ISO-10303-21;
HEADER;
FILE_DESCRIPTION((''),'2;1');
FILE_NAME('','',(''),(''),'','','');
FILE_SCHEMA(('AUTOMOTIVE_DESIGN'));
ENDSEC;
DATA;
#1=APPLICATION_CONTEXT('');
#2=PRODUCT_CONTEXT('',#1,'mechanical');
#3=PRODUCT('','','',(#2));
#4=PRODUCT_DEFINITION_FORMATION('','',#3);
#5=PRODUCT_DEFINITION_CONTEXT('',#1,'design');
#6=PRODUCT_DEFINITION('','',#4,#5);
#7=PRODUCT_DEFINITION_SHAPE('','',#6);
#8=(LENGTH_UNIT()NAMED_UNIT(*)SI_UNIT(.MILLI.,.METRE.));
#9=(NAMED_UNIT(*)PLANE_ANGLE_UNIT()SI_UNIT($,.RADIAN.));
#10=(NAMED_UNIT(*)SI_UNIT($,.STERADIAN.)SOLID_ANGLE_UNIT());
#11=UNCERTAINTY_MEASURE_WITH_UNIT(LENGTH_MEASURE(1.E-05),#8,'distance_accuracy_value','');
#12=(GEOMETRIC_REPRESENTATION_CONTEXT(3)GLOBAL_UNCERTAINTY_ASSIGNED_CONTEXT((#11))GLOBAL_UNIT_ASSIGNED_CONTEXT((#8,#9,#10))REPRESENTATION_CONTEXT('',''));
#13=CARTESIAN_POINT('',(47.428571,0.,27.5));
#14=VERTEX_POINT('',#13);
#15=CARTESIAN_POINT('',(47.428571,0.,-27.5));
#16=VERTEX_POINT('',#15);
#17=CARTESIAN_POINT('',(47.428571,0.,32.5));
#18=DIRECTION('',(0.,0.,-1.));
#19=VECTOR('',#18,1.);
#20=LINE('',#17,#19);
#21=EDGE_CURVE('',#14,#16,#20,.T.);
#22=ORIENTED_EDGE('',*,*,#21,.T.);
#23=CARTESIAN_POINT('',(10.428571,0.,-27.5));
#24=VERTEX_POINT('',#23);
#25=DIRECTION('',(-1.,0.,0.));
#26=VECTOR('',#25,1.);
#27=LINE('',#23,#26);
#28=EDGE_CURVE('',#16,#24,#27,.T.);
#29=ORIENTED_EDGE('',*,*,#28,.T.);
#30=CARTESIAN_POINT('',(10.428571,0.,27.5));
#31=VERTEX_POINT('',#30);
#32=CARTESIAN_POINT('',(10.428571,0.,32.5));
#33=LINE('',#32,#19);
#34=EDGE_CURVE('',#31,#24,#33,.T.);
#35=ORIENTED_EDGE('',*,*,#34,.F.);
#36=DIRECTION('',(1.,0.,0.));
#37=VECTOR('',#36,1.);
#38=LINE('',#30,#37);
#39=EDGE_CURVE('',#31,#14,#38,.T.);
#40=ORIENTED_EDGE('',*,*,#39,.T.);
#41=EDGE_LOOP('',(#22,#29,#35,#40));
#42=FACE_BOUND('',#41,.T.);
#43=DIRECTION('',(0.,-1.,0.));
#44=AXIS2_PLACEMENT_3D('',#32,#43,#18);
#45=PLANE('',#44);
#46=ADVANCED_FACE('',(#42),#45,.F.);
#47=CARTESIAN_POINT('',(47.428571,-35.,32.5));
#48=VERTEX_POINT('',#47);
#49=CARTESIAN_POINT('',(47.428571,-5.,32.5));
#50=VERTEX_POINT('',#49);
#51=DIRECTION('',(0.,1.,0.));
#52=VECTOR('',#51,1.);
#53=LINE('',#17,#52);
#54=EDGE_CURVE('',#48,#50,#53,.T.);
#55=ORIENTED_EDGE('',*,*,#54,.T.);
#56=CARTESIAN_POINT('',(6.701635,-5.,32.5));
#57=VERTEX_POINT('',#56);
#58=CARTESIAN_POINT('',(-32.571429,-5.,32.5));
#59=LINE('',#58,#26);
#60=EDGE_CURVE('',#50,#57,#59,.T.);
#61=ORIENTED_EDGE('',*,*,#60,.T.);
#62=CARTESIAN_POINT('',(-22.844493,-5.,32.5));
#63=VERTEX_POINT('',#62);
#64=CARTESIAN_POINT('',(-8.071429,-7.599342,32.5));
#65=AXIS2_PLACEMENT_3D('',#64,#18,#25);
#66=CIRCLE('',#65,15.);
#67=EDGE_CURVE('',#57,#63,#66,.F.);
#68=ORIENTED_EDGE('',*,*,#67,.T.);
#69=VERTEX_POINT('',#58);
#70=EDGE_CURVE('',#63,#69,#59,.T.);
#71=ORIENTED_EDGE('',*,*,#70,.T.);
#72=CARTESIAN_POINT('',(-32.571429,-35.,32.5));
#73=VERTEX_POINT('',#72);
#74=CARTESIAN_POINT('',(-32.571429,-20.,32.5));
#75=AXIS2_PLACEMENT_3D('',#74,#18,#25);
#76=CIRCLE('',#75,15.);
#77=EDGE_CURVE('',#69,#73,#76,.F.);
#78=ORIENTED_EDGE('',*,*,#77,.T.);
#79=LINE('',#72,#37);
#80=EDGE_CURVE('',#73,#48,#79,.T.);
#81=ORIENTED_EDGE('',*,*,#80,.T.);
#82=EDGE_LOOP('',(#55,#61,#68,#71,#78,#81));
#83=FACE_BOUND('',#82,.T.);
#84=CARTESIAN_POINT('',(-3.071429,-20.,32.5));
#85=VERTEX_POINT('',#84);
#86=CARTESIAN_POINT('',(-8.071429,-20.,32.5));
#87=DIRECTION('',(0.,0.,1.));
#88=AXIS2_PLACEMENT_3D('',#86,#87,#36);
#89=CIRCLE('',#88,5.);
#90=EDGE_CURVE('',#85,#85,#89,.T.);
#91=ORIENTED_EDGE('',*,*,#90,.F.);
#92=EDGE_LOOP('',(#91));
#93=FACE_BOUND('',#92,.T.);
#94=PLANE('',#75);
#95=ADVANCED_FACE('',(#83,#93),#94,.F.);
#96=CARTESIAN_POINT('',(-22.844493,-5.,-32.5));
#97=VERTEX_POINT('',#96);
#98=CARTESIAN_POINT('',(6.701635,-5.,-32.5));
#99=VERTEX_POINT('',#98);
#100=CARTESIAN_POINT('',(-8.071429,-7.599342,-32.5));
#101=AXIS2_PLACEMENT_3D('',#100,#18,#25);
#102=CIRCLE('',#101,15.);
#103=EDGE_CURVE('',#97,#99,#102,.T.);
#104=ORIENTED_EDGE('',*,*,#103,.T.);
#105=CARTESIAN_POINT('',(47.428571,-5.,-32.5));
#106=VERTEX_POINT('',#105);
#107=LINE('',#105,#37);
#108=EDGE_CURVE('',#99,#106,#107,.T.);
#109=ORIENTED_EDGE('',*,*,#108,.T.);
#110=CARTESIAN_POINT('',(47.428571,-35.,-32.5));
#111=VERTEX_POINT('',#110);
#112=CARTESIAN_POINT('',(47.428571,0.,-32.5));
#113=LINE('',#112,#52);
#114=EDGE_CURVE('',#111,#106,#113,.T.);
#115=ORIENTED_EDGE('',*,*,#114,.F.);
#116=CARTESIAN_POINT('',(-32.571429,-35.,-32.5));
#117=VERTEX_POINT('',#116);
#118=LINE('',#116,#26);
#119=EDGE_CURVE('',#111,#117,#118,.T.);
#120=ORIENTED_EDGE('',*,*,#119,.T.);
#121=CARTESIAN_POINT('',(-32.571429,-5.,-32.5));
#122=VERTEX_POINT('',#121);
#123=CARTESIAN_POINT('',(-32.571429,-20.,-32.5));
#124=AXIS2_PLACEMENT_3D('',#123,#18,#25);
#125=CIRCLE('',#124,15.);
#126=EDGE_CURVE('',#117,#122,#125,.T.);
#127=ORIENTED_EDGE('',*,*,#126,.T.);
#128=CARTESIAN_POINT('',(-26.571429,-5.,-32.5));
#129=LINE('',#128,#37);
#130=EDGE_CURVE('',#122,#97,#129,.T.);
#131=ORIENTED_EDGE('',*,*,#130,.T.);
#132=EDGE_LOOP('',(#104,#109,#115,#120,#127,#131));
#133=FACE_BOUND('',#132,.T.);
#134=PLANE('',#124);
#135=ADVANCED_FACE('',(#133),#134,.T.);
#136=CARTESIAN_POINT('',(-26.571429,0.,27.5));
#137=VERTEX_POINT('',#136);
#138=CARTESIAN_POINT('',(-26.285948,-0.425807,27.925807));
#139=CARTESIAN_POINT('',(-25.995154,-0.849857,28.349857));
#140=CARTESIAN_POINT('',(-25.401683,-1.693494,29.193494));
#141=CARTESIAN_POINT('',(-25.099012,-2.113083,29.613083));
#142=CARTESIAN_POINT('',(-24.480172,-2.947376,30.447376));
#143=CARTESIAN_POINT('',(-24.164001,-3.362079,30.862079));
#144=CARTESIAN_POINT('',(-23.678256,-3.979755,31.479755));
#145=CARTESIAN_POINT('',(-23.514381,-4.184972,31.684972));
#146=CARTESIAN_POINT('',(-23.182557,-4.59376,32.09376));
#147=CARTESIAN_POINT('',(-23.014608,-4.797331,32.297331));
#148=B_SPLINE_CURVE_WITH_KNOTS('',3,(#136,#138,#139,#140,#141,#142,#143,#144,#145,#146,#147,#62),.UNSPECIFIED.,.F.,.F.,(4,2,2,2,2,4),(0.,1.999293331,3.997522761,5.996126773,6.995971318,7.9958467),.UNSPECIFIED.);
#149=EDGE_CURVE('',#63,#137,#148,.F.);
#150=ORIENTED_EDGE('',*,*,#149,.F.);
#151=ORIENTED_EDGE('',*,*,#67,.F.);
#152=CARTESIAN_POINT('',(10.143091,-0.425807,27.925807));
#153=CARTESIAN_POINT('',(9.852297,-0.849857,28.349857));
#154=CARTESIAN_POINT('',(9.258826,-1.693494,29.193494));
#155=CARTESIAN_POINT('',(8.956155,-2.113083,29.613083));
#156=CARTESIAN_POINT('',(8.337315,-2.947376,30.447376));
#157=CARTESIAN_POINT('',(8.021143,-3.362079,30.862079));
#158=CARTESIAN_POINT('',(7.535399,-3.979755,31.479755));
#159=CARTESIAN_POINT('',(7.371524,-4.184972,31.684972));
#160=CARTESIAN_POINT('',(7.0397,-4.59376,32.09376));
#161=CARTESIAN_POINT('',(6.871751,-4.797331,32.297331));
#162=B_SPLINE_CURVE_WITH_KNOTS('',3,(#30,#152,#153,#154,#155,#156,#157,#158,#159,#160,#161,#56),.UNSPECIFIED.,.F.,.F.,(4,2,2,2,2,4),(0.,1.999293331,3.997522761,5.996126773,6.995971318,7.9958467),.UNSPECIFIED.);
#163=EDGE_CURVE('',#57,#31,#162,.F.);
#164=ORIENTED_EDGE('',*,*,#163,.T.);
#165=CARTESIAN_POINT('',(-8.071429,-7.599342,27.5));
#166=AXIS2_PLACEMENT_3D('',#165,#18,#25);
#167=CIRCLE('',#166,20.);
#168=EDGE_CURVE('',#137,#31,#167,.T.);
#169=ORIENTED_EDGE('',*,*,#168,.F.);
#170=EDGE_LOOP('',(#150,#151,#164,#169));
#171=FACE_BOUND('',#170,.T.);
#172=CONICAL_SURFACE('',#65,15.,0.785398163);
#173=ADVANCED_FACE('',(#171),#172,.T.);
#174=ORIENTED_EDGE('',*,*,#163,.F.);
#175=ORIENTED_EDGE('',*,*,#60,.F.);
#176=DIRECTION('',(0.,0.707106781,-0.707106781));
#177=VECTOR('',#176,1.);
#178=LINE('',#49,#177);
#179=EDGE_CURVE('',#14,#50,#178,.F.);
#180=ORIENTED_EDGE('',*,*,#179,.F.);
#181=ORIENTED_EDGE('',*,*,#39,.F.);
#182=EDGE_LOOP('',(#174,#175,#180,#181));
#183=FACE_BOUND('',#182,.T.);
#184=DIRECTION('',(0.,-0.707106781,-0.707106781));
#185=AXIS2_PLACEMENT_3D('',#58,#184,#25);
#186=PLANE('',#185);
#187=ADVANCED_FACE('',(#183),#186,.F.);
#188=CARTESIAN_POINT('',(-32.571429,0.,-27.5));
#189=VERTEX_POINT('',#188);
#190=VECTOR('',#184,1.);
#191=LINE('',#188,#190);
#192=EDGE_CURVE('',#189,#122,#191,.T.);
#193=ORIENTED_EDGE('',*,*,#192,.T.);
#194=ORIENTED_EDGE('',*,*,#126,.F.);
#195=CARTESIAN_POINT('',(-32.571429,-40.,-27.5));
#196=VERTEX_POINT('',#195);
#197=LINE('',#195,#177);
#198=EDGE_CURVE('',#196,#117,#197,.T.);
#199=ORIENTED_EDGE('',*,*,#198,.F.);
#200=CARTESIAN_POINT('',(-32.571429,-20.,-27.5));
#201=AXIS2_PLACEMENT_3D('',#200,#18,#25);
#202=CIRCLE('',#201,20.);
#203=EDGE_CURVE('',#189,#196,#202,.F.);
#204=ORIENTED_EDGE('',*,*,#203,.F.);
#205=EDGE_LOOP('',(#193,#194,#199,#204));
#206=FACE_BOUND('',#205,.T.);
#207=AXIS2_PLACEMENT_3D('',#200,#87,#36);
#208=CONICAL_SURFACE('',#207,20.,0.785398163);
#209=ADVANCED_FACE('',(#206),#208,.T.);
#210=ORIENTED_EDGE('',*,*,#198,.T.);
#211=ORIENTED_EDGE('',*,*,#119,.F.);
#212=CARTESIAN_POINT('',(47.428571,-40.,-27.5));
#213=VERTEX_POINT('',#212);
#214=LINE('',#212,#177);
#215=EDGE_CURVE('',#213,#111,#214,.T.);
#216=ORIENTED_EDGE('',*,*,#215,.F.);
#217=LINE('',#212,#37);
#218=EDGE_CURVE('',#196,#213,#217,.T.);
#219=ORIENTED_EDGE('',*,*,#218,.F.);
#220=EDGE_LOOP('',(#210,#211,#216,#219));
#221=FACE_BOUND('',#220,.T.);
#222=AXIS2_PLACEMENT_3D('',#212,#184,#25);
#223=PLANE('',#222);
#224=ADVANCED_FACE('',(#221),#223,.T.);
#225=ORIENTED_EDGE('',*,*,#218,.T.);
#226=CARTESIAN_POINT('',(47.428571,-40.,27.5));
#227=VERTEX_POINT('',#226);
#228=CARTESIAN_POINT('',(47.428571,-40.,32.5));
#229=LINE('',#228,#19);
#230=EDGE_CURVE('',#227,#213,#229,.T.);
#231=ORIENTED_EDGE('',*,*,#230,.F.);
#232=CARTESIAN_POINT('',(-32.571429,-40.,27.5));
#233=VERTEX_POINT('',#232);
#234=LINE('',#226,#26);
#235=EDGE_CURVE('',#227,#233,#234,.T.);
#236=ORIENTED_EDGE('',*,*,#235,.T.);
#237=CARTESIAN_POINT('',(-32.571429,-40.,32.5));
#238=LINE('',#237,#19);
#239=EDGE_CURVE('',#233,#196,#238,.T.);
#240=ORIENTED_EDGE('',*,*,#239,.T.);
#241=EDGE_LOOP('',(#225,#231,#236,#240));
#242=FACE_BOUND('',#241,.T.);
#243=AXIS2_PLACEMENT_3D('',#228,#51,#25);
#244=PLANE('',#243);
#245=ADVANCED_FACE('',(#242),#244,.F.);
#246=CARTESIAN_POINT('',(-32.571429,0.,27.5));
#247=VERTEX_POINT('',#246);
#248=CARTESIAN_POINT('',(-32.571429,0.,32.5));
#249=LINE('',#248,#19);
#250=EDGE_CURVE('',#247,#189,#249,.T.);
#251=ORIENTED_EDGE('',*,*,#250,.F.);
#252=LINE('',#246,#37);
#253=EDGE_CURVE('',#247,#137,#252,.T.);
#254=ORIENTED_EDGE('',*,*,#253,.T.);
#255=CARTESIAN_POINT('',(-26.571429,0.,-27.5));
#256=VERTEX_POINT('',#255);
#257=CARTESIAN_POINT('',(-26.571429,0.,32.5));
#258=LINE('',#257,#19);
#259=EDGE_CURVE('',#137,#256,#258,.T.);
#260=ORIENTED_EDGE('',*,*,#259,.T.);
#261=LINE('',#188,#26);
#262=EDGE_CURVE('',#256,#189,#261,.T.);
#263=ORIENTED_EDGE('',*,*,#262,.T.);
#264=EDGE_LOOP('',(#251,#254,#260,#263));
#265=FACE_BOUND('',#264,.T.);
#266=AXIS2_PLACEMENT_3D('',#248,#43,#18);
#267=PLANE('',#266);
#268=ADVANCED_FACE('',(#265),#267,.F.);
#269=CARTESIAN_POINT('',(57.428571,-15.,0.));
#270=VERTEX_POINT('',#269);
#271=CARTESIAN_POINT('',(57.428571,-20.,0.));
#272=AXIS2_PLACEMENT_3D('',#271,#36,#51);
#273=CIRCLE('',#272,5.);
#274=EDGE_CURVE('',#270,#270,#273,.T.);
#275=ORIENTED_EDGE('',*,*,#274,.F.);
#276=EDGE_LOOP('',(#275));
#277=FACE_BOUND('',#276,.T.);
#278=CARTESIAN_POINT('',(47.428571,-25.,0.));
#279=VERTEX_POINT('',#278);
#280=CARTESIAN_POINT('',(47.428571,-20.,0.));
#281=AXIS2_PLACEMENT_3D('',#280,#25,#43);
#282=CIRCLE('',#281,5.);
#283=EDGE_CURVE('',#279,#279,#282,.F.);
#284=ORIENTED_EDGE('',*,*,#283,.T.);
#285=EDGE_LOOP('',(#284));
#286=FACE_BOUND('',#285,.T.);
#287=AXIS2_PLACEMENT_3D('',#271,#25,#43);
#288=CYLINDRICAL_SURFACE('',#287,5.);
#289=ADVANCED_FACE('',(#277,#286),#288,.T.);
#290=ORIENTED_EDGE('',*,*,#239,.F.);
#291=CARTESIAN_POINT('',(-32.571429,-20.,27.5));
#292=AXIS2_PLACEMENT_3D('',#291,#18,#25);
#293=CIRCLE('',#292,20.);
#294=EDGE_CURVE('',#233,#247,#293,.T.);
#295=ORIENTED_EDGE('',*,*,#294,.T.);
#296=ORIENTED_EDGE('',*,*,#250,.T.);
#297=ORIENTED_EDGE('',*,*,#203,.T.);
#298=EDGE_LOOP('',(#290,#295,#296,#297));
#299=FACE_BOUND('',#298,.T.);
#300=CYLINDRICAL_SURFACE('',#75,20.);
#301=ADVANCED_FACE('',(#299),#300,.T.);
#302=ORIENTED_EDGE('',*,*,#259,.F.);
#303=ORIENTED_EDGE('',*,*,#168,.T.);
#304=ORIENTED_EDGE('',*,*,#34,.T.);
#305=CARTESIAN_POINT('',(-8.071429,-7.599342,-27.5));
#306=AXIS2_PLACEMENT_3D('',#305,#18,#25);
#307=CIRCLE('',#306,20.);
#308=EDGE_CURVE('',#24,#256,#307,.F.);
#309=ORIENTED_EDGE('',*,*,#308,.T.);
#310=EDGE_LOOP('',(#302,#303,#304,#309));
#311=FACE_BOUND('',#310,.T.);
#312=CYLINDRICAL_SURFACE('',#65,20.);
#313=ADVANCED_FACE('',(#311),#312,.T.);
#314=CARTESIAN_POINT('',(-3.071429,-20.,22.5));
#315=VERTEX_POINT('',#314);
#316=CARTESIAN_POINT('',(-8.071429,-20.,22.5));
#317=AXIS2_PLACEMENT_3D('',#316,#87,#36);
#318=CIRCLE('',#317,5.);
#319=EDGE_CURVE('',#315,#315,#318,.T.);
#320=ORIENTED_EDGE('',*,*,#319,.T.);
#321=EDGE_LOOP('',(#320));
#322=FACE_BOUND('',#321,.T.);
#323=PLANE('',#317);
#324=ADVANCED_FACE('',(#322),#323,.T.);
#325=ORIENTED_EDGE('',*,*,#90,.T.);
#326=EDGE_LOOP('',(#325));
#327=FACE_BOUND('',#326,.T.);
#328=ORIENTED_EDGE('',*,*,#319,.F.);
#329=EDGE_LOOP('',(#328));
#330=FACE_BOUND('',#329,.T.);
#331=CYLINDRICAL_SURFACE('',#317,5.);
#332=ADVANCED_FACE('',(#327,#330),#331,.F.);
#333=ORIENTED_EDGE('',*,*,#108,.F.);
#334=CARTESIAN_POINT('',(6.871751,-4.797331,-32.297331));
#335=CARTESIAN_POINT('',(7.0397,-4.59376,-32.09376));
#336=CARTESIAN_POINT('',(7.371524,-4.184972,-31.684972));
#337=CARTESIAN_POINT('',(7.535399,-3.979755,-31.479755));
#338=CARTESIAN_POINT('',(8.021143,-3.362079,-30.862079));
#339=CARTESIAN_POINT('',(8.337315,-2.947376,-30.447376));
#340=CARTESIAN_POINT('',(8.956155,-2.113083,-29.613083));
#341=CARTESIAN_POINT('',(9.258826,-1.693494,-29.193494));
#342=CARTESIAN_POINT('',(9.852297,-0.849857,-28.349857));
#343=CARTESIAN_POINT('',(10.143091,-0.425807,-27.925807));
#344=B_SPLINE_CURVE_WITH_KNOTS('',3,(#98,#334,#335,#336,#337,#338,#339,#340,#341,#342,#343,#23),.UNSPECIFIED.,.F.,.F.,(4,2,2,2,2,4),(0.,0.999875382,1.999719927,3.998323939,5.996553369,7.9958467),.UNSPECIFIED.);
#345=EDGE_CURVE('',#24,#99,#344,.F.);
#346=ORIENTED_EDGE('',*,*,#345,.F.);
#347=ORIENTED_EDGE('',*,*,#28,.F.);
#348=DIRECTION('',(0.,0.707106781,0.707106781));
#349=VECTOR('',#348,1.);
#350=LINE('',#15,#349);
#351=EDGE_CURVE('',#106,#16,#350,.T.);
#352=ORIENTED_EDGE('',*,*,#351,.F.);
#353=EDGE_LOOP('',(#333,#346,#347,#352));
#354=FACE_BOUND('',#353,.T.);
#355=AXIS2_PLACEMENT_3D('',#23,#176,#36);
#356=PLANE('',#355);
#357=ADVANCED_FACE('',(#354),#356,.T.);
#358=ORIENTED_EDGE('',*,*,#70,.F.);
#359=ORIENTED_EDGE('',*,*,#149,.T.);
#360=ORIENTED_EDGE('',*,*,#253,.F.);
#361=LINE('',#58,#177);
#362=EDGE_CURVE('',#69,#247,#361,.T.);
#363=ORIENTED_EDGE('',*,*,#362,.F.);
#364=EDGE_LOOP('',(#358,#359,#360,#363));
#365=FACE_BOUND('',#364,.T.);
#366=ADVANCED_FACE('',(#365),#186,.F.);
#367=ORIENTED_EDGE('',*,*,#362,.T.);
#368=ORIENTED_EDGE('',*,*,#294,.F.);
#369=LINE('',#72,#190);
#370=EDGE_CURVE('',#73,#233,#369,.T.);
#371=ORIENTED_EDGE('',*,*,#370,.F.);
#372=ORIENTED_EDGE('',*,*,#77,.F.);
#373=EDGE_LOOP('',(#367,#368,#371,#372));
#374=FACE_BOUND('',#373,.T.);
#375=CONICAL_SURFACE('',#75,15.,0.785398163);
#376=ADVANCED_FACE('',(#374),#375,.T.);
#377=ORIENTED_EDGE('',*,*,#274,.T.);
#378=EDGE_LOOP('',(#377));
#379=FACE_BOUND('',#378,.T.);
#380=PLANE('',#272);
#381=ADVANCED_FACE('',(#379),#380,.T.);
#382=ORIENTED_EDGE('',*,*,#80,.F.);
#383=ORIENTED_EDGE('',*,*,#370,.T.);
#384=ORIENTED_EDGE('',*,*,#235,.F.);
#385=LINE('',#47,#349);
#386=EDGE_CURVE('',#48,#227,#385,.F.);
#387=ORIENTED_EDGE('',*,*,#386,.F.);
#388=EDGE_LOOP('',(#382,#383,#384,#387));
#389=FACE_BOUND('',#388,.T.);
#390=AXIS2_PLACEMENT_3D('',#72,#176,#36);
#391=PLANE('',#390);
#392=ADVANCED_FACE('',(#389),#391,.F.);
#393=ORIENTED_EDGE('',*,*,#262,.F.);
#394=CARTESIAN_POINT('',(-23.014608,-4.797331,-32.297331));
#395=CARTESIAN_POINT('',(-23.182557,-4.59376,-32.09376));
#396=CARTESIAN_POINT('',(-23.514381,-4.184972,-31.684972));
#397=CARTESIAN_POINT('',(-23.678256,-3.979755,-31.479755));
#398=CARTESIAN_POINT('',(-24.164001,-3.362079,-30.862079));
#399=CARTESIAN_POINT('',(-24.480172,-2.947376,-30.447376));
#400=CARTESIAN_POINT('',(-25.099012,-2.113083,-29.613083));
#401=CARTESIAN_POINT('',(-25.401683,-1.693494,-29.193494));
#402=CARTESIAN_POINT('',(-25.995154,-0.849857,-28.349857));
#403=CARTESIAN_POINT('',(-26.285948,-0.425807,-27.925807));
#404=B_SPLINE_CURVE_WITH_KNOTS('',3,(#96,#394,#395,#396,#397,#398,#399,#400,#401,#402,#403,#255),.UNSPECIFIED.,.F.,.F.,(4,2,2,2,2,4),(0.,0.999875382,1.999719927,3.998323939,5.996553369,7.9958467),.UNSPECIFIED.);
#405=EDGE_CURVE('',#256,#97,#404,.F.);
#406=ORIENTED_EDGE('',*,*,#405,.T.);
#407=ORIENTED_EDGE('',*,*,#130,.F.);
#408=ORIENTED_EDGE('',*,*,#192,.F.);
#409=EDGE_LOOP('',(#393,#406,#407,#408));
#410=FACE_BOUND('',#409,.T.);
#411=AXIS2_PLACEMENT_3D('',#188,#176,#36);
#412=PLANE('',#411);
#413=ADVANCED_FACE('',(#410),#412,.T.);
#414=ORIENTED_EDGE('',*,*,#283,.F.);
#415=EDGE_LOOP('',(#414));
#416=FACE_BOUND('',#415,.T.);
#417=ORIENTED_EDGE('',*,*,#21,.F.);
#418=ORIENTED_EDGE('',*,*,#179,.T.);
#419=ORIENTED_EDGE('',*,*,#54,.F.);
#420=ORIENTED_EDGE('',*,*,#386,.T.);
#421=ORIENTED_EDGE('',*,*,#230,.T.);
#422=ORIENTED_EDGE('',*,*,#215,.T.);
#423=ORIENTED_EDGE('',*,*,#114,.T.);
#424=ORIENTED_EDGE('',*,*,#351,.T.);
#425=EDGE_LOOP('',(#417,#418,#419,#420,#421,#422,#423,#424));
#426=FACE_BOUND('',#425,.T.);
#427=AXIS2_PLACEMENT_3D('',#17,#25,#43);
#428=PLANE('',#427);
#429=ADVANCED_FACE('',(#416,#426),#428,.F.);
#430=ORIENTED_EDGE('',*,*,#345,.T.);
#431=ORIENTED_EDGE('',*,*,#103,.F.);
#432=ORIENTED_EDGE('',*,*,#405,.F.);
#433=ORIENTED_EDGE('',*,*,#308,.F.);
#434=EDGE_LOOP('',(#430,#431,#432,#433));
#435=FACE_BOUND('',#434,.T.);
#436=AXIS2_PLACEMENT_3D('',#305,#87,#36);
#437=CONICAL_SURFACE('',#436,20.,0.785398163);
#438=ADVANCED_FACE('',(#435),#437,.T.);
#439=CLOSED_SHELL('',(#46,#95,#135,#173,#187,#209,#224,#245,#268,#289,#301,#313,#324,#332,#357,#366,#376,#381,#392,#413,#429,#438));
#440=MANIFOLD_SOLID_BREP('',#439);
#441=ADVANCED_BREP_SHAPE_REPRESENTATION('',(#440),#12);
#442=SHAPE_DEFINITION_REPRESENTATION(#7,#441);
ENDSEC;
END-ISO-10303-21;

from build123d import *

# Parameters (mm, degrees)
BOSS_EXTRUDE1_DEPTH = 32.5
CHAMFER1_SIZE       = 5
SKETCH2_R           = 5
CUT_EXTRUDE1_DEPTH  = 10
SKETCH3_R           = 5
BOSS_EXTRUDE2_DEPTH = 10


with BuildPart() as part:
    # Sketch1 → Boss-Extrude1 (new body, symmetric)
    with BuildSketch(Plane.XY):
        with BuildLine():
            Line((47.428571429, 0), (47.428571429, -40))
            Line((47.428571429, -40), (-32.571428571, -40))
            ThreePointArc((-32.571428571, -40), (-52.571428571, -20), (-32.571428571, 0))
            Line((-32.571428571, 0), (-26.571428571, 0))
            ThreePointArc((-26.571428571, 0), (-8.071428571, 12.400657923), (10.428571429, 0))
            Line((10.428571429, 0), (47.428571429, 0))
        make_face()
    extrude(amount=BOSS_EXTRUDE1_DEPTH, both=True)

    # Chamfer1
    chamfer1_edges = [part.edges().sort_by_distance(p)[0] for p in [
        (28.928571429, 0, 32.5),
        (-8.071428571, 12.400657923, 32.5),
        (-29.571428571, 0, 32.5),
        (-52.571428571, -20, 32.5),
        (-29.571428571, 0, -32.5),
        (-8.071428571, 12.400657923, -32.5),
        (28.928571429, 0, -32.5),
        (7.428571429, -40, -32.5),
        (-52.571428571, -20, -32.5),
        (7.428571429, -40, 32.5),
    ]]
    chamfer(chamfer1_edges, length=CHAMFER1_SIZE)

    # Sketch2 → Cut-Extrude1 (cut)
    with BuildSketch(Plane.XY.offset(32.5)):
        with Locations((-8.071428571, -20)):
            Circle(SKETCH2_R)
    extrude(amount=-CUT_EXTRUDE1_DEPTH, mode=Mode.SUBTRACT)

    # Sketch3 → Boss-Extrude2 (add)
    with BuildSketch(Plane(origin=(47.428571429, 0, 0), x_dir=(0, 0, -1), z_dir=(1, 0, 0))):
        with Locations((0, -20)):
            Circle(SKETCH3_R)
    extrude(amount=BOSS_EXTRUDE2_DEPTH)


solid = part.part
